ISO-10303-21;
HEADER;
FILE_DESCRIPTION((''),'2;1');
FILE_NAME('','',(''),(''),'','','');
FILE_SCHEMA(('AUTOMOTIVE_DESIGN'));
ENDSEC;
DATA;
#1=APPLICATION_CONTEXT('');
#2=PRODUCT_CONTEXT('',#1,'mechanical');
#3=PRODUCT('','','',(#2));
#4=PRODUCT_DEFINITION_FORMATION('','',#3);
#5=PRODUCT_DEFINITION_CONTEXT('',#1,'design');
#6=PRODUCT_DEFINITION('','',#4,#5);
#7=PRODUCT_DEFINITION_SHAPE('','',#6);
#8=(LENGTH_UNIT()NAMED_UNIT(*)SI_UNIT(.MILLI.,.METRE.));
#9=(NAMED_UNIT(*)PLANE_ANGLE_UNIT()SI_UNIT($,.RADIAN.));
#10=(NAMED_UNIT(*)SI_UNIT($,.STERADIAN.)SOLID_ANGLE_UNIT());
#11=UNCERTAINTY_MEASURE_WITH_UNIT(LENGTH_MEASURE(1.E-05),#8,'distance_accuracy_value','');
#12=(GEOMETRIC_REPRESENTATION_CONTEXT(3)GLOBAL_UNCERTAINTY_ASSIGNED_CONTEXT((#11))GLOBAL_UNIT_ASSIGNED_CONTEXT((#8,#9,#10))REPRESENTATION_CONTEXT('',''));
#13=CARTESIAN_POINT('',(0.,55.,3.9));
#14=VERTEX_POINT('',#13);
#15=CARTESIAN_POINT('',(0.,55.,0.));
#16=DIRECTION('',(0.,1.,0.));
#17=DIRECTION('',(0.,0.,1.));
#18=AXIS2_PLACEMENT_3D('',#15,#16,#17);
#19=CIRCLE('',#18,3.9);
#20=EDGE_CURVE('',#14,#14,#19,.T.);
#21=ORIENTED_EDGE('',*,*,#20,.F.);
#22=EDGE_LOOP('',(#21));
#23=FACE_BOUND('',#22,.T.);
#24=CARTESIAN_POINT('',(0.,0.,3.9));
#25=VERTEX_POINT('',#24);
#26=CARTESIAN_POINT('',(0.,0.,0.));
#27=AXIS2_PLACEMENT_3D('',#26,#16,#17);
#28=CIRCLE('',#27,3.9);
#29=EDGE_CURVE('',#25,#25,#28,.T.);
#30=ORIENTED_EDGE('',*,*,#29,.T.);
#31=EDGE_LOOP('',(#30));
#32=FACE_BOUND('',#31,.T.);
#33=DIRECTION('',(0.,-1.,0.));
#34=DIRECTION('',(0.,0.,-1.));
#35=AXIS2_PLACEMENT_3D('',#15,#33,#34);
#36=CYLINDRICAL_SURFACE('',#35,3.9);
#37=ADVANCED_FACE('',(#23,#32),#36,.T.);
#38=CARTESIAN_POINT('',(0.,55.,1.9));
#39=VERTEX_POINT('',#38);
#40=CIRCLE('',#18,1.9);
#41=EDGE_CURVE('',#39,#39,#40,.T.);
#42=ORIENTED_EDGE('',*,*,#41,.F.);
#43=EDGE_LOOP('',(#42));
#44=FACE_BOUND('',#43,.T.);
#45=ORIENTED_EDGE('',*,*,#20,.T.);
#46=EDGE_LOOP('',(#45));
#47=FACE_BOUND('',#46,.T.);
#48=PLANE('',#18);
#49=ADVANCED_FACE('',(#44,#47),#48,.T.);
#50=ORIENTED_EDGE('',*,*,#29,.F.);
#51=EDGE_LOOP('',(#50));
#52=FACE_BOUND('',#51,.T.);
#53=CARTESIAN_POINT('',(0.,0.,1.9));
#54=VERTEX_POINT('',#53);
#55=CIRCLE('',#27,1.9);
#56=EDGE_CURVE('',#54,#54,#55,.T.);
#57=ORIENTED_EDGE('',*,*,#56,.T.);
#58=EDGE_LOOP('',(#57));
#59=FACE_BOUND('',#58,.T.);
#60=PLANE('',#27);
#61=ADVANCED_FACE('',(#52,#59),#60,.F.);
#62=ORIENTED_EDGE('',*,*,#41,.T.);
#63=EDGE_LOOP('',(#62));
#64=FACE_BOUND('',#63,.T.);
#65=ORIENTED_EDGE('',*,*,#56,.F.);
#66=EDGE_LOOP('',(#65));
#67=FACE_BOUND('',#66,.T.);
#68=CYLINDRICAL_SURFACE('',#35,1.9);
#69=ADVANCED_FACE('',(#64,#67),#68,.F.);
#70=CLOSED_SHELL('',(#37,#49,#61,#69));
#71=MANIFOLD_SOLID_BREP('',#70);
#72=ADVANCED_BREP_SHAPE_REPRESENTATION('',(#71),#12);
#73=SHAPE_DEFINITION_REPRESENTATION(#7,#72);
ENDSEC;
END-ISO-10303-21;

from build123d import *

# Parameters (mm, degrees)
SKETCH1_R           = 3.9
SKETCH1_R_2         = 1.9
BOSS_EXTRUDE1_DEPTH = 55


with BuildPart() as part:
    # Sketch1 → Boss-Extrude1 (new body)
    with BuildSketch(Plane(origin=(0, 0, 0), x_dir=(1, 0, 0), z_dir=(0, 1, 0))):
        Circle(SKETCH1_R)
        Circle(SKETCH1_R_2, mode=Mode.SUBTRACT)
    extrude(amount=BOSS_EXTRUDE1_DEPTH)


solid = part.part
